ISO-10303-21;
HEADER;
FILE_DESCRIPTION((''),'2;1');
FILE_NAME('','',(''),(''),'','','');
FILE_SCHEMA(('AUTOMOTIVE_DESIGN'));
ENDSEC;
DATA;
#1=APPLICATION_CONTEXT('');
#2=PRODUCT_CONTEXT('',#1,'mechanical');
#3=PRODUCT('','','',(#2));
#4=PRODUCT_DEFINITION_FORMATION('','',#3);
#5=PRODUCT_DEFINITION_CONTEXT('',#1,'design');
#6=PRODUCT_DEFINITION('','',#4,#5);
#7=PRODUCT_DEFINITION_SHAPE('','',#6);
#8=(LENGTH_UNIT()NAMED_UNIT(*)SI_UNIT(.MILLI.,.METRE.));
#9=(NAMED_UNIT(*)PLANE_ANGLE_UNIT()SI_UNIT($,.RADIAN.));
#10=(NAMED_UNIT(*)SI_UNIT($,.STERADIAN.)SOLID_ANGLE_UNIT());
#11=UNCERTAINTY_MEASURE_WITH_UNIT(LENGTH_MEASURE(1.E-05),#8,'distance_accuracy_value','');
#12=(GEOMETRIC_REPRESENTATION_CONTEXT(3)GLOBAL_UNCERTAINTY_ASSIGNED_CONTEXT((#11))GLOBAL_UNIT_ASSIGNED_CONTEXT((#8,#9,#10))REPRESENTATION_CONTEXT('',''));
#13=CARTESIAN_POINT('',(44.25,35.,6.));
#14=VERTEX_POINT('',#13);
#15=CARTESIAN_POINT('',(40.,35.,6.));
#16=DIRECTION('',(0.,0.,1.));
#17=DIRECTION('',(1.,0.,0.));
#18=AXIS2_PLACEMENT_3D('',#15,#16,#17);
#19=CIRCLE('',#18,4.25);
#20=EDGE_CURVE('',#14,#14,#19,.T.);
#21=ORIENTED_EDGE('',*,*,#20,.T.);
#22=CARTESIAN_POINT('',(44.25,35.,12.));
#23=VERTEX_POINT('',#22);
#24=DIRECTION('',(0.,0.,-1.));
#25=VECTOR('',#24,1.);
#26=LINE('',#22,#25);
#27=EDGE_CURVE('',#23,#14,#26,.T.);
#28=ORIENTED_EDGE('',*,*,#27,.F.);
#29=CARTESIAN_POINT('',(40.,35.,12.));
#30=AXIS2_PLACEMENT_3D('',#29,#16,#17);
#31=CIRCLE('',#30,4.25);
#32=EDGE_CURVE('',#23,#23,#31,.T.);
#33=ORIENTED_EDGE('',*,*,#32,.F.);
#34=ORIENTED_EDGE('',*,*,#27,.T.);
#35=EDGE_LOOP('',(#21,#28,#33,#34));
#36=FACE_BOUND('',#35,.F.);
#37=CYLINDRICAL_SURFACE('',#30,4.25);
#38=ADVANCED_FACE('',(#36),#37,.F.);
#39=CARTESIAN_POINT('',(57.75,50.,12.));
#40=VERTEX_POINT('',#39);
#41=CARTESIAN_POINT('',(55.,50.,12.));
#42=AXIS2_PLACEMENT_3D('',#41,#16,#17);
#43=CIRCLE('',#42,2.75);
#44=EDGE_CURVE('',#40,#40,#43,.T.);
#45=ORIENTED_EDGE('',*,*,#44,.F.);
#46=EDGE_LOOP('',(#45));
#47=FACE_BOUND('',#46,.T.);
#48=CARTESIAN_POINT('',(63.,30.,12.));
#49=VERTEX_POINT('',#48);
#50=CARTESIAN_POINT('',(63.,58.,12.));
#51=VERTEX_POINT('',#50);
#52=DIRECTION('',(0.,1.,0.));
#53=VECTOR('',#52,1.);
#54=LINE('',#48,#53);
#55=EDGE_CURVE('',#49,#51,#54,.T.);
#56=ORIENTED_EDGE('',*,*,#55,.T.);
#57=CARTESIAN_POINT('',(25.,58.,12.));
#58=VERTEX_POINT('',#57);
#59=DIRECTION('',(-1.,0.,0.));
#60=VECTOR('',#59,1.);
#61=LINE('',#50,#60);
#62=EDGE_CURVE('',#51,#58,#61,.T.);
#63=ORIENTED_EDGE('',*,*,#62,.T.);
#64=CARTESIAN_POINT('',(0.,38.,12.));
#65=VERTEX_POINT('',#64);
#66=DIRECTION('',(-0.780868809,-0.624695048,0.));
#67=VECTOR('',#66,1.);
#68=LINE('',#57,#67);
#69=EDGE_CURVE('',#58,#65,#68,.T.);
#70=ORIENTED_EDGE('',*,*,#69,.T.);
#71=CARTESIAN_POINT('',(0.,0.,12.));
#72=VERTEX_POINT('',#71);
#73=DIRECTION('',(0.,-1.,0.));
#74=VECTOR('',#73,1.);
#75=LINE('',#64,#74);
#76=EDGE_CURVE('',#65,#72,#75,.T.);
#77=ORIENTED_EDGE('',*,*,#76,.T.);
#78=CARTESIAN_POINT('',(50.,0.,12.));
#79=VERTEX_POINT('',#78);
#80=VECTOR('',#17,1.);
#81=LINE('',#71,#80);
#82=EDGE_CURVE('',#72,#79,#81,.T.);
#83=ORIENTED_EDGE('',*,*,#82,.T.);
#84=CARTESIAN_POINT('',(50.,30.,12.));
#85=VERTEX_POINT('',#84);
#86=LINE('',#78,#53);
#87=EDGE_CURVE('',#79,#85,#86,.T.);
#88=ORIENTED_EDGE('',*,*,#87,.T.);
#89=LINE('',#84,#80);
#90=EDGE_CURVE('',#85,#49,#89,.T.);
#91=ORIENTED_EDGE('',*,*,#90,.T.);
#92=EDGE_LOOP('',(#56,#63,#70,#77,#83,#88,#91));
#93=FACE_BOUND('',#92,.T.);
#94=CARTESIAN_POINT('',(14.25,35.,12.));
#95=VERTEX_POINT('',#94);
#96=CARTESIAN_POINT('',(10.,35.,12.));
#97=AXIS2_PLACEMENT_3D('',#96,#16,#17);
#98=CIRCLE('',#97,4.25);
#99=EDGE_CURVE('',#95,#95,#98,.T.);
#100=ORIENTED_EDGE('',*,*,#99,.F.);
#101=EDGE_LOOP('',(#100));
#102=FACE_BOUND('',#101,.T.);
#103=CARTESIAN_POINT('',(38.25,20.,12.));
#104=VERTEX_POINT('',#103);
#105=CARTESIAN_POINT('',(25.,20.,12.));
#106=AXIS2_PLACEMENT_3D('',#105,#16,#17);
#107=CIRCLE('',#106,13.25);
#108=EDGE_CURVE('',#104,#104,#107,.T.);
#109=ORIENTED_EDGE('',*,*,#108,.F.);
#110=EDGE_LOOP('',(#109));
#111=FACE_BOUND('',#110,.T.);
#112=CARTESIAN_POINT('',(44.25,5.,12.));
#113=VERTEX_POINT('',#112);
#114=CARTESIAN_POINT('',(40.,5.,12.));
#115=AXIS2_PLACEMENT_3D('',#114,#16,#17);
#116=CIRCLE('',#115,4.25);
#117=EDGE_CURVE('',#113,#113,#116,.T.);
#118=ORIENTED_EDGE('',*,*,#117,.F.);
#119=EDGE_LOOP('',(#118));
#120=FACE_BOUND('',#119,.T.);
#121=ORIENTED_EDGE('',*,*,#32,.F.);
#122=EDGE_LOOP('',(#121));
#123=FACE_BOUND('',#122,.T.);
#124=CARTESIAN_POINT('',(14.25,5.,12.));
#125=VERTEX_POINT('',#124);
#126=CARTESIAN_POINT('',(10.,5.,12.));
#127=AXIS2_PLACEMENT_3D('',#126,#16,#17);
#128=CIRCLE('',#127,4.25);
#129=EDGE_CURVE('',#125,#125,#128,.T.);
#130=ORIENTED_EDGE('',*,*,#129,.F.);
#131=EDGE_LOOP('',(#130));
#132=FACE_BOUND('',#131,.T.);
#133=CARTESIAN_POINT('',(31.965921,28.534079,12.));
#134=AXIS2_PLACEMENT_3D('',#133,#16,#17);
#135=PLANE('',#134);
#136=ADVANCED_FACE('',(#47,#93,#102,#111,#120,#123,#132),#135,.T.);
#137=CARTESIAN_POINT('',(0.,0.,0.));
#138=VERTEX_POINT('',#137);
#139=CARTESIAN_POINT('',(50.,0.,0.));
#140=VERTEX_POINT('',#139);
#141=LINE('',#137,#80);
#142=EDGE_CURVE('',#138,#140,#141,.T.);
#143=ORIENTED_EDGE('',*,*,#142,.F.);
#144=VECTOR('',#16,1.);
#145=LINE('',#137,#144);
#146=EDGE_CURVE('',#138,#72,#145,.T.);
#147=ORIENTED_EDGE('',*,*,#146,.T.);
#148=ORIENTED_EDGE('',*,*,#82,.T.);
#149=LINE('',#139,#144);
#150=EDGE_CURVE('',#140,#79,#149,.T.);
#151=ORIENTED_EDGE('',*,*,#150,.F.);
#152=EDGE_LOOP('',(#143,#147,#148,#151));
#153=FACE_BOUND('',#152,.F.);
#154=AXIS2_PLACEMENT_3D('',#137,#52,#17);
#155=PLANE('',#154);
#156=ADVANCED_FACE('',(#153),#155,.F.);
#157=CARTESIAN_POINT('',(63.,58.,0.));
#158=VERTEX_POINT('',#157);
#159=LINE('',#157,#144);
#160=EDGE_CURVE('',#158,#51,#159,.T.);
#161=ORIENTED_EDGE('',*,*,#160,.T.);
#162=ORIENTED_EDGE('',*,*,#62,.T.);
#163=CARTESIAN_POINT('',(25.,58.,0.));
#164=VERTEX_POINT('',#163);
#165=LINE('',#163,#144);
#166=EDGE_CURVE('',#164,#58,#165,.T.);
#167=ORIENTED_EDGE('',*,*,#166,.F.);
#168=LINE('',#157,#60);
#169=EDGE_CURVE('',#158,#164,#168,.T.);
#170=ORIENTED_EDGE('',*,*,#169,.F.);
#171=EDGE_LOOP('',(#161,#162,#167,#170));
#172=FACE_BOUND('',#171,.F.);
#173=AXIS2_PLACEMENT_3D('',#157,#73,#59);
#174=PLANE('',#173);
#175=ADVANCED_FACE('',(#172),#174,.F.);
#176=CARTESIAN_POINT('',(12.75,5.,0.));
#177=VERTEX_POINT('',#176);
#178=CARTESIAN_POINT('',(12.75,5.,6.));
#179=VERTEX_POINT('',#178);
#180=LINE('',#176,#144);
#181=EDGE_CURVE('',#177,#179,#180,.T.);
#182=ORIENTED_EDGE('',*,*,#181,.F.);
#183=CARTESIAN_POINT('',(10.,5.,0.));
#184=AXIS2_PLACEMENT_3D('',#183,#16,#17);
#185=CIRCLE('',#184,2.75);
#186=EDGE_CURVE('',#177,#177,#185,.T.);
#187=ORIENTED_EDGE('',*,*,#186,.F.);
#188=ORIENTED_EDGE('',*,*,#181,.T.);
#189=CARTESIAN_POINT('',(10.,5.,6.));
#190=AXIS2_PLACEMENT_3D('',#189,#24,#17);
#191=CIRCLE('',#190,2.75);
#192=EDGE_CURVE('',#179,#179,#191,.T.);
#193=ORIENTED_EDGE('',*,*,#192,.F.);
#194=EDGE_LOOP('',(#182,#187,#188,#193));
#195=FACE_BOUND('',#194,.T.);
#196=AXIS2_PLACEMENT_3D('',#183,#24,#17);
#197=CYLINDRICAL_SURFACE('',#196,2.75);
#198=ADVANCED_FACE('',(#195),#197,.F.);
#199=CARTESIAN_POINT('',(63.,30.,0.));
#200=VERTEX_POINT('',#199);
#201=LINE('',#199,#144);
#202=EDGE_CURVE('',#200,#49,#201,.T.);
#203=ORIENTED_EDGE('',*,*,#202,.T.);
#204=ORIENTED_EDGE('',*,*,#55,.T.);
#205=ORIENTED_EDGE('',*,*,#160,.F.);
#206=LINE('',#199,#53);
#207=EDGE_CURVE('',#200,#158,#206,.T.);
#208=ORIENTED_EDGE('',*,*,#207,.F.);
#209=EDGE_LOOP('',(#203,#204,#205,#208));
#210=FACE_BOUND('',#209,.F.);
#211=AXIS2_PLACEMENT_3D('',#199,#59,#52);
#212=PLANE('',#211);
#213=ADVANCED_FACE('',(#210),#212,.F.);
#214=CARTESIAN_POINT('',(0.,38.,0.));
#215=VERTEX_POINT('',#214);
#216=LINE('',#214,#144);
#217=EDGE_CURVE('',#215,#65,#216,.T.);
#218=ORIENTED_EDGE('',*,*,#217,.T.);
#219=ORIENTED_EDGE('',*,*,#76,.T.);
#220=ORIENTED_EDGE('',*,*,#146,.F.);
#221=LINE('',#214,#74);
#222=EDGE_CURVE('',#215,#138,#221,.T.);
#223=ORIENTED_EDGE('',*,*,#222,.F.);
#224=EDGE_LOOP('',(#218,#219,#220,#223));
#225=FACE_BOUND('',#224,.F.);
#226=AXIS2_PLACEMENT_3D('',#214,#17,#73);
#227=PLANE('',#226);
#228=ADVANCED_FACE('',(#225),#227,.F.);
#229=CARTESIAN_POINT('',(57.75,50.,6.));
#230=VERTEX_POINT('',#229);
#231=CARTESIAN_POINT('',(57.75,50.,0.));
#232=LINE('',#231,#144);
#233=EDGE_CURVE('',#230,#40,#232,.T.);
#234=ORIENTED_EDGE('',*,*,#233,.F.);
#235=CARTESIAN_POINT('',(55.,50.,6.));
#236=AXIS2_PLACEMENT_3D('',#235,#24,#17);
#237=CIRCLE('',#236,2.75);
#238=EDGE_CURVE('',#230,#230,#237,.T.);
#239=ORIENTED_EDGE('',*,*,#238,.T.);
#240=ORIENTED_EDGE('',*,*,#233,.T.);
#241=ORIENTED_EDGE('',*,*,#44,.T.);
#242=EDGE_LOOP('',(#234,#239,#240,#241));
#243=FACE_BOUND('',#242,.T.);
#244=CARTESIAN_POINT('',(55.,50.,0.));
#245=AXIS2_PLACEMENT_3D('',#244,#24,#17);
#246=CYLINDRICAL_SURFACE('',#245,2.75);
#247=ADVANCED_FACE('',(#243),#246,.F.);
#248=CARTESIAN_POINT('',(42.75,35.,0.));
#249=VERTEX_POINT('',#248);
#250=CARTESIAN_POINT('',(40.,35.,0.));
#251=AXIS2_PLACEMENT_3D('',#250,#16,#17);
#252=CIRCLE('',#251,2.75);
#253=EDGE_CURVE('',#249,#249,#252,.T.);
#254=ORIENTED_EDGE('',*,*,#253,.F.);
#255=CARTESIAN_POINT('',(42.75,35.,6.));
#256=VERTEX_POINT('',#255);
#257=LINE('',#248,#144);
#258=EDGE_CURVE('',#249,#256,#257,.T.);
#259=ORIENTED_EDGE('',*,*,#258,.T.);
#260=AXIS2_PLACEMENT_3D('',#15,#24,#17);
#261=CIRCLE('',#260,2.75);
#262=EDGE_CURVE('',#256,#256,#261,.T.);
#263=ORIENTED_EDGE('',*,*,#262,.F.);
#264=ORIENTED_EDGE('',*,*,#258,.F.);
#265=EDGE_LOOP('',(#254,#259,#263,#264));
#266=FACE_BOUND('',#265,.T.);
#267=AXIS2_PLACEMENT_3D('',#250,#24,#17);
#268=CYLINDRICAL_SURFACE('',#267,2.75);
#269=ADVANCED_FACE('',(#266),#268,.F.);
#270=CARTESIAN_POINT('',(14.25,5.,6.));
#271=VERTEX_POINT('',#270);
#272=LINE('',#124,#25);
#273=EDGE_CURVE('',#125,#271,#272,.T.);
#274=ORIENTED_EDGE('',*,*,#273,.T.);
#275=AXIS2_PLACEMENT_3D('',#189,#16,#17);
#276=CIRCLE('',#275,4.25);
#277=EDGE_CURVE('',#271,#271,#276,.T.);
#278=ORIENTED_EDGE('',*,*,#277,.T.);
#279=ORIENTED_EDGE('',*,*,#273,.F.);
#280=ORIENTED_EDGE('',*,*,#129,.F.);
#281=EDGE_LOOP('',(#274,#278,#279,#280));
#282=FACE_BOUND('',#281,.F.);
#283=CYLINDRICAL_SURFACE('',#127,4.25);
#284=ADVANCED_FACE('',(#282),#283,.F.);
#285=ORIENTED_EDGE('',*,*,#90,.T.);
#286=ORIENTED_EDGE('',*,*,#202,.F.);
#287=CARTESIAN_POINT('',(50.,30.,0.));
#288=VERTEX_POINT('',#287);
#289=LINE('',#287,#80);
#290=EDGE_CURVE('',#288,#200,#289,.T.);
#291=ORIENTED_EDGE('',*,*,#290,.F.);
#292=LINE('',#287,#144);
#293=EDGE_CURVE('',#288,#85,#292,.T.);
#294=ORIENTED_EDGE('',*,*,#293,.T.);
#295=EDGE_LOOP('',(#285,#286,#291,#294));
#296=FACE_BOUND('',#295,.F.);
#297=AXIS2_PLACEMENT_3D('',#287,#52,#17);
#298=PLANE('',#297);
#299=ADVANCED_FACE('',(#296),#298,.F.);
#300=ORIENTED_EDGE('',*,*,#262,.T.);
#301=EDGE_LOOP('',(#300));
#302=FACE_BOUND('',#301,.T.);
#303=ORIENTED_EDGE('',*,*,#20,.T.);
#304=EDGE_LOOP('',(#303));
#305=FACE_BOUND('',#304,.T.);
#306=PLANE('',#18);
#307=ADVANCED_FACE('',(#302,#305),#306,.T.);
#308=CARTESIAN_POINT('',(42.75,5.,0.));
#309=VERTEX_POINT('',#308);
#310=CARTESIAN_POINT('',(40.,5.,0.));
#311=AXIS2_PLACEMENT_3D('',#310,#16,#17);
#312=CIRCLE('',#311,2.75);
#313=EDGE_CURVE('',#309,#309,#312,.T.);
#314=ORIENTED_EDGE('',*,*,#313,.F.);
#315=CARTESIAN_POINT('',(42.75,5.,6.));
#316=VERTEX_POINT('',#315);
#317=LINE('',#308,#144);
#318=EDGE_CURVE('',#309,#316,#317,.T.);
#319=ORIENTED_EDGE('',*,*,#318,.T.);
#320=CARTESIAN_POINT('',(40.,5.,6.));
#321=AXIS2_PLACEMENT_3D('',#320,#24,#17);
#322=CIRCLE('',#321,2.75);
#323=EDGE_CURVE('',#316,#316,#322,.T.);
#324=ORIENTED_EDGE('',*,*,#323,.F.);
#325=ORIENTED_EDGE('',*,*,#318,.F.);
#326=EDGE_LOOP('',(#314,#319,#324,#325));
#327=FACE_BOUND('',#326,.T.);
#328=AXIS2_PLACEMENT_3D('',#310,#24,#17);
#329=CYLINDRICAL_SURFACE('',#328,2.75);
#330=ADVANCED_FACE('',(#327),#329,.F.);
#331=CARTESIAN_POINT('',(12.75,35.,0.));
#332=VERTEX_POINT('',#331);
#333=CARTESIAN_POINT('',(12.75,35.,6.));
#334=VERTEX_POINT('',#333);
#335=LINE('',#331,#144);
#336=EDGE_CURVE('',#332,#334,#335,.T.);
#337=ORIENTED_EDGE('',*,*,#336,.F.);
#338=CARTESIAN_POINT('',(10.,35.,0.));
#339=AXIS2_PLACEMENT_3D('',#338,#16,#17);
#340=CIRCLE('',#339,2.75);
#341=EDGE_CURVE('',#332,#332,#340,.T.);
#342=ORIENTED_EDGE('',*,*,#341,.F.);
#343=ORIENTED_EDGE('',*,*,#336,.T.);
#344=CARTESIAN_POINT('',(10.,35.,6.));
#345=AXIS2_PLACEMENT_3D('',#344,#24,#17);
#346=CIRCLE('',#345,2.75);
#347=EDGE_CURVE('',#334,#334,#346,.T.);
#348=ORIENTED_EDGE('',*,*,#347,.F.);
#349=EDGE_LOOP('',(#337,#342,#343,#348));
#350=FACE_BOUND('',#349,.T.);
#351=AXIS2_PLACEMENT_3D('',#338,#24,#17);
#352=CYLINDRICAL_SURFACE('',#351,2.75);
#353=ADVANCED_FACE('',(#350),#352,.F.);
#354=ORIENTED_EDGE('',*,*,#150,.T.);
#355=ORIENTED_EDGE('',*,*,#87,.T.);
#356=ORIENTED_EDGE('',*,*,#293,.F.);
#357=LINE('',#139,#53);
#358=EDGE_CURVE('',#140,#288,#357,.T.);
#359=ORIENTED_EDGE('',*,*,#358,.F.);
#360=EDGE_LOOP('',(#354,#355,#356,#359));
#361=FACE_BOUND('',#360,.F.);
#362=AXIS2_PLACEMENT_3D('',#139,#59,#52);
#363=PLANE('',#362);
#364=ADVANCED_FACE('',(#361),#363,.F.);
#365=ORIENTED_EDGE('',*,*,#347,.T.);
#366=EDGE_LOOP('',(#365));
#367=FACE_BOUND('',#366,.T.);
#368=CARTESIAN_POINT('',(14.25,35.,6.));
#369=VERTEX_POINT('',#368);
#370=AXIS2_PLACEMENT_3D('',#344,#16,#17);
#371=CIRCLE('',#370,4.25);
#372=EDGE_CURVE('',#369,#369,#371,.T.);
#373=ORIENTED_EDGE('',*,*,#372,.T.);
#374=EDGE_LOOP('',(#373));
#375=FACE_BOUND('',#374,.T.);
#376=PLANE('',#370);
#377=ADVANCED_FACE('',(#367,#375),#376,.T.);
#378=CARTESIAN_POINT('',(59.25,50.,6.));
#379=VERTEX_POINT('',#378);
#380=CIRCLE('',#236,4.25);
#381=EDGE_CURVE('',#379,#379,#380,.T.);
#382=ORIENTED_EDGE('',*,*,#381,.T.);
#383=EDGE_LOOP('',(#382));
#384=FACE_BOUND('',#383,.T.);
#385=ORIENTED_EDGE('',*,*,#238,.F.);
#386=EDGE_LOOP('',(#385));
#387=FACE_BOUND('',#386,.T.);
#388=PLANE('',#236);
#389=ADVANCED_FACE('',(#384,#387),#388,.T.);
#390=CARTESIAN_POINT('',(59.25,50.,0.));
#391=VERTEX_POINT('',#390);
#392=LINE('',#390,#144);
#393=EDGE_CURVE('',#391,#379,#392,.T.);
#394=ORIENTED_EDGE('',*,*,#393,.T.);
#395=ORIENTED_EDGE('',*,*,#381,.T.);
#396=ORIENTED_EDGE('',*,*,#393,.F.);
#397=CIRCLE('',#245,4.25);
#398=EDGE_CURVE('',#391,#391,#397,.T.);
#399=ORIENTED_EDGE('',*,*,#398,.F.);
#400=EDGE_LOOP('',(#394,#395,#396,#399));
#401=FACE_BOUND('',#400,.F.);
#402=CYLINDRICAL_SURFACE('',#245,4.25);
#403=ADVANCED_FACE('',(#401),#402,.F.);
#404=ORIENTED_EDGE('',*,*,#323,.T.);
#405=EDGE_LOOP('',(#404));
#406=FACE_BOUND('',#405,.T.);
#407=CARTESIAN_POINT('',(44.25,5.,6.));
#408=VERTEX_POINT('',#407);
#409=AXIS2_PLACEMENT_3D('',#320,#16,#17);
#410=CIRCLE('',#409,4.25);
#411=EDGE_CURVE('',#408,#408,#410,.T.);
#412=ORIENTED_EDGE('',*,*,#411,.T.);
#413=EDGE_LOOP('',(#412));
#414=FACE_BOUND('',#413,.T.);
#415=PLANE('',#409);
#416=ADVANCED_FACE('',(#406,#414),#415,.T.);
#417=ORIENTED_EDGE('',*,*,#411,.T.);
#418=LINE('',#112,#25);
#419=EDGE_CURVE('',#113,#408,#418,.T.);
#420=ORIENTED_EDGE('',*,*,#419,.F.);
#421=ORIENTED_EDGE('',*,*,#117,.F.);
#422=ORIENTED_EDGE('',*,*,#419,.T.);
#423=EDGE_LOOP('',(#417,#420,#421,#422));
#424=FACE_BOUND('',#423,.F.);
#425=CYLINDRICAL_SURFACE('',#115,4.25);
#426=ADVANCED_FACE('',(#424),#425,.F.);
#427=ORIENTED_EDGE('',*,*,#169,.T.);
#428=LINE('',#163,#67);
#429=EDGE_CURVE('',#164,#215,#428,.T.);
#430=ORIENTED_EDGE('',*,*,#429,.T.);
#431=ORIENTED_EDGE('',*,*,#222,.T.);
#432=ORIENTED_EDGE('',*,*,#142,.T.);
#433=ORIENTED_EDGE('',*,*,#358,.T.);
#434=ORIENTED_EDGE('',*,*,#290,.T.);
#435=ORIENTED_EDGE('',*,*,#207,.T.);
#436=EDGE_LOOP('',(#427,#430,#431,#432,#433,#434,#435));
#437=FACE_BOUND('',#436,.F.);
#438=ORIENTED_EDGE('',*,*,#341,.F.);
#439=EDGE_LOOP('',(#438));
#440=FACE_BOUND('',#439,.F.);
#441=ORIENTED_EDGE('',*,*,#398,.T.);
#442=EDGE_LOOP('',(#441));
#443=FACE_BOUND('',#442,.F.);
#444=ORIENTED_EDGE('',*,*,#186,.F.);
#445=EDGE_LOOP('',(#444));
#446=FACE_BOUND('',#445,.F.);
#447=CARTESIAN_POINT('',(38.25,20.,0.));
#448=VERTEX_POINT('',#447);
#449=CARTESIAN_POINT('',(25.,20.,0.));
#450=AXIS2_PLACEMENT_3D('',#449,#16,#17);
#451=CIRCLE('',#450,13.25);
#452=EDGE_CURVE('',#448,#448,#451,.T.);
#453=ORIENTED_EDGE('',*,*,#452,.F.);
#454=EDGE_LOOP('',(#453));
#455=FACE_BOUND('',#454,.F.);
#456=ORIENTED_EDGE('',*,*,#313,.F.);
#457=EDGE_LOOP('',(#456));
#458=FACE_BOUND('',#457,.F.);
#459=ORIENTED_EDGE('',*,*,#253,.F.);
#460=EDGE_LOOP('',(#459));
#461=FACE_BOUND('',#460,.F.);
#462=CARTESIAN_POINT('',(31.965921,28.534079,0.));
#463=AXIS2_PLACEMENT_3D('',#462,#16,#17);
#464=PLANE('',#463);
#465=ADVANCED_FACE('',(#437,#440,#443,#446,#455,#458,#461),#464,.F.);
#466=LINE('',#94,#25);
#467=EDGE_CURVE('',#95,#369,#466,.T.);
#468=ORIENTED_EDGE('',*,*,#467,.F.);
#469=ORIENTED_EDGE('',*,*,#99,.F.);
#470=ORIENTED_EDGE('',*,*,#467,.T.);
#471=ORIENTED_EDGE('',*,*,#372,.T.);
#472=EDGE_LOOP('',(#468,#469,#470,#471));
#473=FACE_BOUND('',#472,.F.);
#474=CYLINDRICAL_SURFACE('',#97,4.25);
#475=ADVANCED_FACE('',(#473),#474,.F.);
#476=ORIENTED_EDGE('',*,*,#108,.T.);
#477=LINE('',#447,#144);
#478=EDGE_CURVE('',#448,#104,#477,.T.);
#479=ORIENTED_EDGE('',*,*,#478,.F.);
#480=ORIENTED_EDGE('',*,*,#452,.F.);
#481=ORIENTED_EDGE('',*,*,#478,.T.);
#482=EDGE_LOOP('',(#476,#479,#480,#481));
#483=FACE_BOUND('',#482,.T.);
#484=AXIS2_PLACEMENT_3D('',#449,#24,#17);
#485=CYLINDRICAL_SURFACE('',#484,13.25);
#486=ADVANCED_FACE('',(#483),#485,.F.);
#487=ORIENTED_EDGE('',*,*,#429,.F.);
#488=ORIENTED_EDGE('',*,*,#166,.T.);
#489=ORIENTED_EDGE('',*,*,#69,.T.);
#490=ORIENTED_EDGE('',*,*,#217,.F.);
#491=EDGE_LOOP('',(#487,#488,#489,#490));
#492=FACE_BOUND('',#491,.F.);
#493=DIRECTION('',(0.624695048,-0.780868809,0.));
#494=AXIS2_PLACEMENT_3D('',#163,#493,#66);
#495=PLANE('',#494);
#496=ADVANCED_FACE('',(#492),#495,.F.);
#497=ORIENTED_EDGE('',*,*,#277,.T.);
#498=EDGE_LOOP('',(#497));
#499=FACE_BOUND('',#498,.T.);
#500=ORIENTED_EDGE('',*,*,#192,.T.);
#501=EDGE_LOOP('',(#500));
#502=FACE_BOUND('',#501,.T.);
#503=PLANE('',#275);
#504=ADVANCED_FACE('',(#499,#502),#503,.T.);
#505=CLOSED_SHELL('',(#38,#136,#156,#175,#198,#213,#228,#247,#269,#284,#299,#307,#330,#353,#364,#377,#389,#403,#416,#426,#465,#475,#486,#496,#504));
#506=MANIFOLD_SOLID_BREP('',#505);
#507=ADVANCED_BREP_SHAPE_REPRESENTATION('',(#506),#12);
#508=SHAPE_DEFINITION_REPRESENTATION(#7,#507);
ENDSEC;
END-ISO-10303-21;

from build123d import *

# Parameters (mm, degrees)
F0_R     = 2.75
F0_R_2   = 13.25
F1_DEPTH = 12
F2_R     = 4.25
F3_DEPTH = 6
F4_R     = 4.25
F5_DEPTH = 6


with BuildPart() as f1:
    # F0 (on Top) → F1 (new body)
    with BuildSketch(Plane.XY):
        Polygon((0, 38), (0, 0), (50, 0), (50, 30), (63, 30), (63, 58), (25, 58), align=None)
        with Locations((10, 5)):
            Circle(F0_R, mode=Mode.SUBTRACT)
        with Locations((25, 20)):
            Circle(F0_R_2, mode=Mode.SUBTRACT)
        with Locations((40, 5)):
            Circle(F0_R, mode=Mode.SUBTRACT)
        with Locations((10, 35)):
            Circle(F0_R, mode=Mode.SUBTRACT)
        with Locations((40, 35)):
            Circle(F0_R, mode=Mode.SUBTRACT)
        with Locations((55, 50)):
            Circle(F0_R, mode=Mode.SUBTRACT)
    extrude(amount=F1_DEPTH)

    # F2 (on face) → F3 (cut)
    with BuildSketch(Plane.XY.offset(12)):
        with Locations((10, 35)):
            Circle(F2_R)
        with Locations((40, 35)):
            Circle(F2_R)
        with Locations((10, 5)):
            Circle(F2_R)
        with Locations((40, 5)):
            Circle(F2_R)
    extrude(amount=-F3_DEPTH, mode=Mode.SUBTRACT)

    # F4 (on face) → F5 (cut)
    with BuildSketch(Plane(origin=(0, 0, 0), x_dir=(1, 0, 0), z_dir=(0, 0, -1))):
        with Locations((55, -50)):
            Circle(F4_R)
    extrude(amount=-F5_DEPTH, mode=Mode.SUBTRACT)


solid = f1.part
